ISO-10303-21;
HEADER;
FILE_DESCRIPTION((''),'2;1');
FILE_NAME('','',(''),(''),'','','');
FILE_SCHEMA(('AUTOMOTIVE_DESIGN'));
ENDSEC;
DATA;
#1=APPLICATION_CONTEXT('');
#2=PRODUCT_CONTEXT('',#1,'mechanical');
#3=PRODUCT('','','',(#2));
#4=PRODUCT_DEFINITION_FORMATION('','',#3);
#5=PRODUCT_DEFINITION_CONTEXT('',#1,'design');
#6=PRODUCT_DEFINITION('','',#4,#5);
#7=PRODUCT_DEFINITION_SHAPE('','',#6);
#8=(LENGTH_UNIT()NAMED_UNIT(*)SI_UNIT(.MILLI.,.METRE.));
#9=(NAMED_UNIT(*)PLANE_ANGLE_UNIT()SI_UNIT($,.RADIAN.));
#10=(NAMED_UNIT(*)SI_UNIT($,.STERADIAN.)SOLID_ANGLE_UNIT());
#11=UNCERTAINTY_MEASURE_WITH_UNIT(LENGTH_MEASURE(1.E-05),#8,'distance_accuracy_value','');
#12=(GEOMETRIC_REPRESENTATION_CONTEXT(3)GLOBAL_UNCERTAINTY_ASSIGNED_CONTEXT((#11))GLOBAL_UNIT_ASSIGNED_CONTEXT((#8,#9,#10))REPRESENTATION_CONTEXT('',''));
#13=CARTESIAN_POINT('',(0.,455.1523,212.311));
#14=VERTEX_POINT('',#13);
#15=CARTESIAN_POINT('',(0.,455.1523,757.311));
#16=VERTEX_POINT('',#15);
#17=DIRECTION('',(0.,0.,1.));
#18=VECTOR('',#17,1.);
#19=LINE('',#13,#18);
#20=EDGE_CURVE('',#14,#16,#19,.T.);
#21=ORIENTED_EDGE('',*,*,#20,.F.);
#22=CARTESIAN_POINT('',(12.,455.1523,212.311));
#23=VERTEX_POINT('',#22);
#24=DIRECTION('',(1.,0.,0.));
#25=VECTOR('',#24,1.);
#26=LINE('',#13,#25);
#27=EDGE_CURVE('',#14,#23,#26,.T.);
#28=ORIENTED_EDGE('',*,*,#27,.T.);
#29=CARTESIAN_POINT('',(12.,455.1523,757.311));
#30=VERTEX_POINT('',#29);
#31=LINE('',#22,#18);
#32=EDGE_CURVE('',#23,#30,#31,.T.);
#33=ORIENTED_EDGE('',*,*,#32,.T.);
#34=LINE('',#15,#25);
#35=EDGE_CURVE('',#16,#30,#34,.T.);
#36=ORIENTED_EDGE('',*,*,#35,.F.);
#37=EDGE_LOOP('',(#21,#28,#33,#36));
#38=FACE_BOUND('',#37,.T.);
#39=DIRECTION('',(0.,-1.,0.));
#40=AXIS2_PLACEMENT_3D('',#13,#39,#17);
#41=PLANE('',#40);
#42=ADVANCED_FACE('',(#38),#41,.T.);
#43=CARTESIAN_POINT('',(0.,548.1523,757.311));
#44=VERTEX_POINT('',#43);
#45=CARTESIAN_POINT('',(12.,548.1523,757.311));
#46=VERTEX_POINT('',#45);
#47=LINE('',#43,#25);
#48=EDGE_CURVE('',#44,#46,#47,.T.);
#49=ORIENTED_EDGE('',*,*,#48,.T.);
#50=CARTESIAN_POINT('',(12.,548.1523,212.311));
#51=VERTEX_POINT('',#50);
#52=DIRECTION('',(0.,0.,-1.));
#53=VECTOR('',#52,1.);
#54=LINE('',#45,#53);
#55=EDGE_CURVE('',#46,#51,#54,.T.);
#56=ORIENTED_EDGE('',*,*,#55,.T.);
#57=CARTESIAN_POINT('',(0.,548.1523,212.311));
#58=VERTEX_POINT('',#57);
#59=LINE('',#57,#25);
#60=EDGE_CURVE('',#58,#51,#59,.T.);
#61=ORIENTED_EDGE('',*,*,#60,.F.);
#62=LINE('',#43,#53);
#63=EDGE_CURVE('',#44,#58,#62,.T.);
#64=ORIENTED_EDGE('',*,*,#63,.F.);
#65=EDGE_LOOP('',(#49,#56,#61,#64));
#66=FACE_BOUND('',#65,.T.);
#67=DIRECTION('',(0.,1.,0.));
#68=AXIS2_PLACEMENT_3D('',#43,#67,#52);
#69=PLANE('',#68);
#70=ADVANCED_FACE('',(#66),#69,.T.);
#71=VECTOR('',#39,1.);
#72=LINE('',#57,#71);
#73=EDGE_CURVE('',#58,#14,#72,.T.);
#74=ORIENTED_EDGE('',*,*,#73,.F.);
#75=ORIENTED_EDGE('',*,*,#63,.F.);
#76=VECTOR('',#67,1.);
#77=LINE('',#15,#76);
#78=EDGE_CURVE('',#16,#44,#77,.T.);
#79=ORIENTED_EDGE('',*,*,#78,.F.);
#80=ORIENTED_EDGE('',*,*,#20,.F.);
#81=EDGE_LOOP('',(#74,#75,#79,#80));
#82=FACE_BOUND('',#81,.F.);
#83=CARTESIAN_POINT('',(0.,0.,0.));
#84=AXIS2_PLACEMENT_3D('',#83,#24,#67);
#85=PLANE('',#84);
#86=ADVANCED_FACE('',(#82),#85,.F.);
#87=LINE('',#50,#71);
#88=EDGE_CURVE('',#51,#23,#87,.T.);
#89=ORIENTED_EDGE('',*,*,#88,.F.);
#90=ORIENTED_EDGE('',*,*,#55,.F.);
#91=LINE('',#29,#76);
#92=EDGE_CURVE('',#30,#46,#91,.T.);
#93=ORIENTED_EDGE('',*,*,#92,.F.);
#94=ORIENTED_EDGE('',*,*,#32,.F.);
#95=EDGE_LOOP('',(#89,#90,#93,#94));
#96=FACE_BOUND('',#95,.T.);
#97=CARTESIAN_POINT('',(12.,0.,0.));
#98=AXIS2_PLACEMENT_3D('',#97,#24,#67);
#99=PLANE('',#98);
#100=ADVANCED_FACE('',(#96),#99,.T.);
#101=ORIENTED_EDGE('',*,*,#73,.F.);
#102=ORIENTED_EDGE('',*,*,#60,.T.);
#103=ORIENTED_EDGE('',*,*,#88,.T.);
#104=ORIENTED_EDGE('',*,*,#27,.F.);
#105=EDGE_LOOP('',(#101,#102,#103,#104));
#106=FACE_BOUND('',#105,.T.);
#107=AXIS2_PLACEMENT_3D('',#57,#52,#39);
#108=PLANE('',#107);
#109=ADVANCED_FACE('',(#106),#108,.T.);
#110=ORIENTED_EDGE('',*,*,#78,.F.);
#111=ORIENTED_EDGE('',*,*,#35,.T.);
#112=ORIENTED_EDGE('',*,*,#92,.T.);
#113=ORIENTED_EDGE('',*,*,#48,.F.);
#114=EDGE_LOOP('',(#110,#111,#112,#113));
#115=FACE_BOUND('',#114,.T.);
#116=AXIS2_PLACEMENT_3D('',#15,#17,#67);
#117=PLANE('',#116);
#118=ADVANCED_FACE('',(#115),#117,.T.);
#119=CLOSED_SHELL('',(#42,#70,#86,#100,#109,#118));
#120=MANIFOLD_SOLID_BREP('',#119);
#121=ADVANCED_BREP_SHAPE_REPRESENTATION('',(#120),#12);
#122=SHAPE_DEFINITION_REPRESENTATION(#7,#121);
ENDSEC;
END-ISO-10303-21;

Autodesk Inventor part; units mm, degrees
ref_plane "YZ Plane" through (0, 0, 0) normal (1, 0, 0) x (0, 1, 0)
ref_plane "XZ Plane" through (0, 0, 0) normal (0, 1, 0) x (-1, 0, 0)
ref_plane "XY Plane" through (0, 0, 0) normal (0, 0, 1) x (1, 0, 0)
sketch "Sketch1" plane through (0, 0, 0) normal (1, 0, 0) x (0, 1, 0)
  line L0 (455.1523, 757.311) -> (548.1523, 757.311)
  line L1 (548.1523, 757.311) -> (548.1523, 212.311)
  line L2 (548.1523, 212.311) -> (455.1523, 212.311)
  line L3 (455.1523, 212.311) -> (455.1523, 757.311)
  point P0 (0, 0)
  dimension "b" = 545
  dimension "d1" = 93
extrude "Extrusion1" add sketch "Sketch1" along normal blind 12
properties part number "CUT PART N-01" material "Wood (Birch)"
